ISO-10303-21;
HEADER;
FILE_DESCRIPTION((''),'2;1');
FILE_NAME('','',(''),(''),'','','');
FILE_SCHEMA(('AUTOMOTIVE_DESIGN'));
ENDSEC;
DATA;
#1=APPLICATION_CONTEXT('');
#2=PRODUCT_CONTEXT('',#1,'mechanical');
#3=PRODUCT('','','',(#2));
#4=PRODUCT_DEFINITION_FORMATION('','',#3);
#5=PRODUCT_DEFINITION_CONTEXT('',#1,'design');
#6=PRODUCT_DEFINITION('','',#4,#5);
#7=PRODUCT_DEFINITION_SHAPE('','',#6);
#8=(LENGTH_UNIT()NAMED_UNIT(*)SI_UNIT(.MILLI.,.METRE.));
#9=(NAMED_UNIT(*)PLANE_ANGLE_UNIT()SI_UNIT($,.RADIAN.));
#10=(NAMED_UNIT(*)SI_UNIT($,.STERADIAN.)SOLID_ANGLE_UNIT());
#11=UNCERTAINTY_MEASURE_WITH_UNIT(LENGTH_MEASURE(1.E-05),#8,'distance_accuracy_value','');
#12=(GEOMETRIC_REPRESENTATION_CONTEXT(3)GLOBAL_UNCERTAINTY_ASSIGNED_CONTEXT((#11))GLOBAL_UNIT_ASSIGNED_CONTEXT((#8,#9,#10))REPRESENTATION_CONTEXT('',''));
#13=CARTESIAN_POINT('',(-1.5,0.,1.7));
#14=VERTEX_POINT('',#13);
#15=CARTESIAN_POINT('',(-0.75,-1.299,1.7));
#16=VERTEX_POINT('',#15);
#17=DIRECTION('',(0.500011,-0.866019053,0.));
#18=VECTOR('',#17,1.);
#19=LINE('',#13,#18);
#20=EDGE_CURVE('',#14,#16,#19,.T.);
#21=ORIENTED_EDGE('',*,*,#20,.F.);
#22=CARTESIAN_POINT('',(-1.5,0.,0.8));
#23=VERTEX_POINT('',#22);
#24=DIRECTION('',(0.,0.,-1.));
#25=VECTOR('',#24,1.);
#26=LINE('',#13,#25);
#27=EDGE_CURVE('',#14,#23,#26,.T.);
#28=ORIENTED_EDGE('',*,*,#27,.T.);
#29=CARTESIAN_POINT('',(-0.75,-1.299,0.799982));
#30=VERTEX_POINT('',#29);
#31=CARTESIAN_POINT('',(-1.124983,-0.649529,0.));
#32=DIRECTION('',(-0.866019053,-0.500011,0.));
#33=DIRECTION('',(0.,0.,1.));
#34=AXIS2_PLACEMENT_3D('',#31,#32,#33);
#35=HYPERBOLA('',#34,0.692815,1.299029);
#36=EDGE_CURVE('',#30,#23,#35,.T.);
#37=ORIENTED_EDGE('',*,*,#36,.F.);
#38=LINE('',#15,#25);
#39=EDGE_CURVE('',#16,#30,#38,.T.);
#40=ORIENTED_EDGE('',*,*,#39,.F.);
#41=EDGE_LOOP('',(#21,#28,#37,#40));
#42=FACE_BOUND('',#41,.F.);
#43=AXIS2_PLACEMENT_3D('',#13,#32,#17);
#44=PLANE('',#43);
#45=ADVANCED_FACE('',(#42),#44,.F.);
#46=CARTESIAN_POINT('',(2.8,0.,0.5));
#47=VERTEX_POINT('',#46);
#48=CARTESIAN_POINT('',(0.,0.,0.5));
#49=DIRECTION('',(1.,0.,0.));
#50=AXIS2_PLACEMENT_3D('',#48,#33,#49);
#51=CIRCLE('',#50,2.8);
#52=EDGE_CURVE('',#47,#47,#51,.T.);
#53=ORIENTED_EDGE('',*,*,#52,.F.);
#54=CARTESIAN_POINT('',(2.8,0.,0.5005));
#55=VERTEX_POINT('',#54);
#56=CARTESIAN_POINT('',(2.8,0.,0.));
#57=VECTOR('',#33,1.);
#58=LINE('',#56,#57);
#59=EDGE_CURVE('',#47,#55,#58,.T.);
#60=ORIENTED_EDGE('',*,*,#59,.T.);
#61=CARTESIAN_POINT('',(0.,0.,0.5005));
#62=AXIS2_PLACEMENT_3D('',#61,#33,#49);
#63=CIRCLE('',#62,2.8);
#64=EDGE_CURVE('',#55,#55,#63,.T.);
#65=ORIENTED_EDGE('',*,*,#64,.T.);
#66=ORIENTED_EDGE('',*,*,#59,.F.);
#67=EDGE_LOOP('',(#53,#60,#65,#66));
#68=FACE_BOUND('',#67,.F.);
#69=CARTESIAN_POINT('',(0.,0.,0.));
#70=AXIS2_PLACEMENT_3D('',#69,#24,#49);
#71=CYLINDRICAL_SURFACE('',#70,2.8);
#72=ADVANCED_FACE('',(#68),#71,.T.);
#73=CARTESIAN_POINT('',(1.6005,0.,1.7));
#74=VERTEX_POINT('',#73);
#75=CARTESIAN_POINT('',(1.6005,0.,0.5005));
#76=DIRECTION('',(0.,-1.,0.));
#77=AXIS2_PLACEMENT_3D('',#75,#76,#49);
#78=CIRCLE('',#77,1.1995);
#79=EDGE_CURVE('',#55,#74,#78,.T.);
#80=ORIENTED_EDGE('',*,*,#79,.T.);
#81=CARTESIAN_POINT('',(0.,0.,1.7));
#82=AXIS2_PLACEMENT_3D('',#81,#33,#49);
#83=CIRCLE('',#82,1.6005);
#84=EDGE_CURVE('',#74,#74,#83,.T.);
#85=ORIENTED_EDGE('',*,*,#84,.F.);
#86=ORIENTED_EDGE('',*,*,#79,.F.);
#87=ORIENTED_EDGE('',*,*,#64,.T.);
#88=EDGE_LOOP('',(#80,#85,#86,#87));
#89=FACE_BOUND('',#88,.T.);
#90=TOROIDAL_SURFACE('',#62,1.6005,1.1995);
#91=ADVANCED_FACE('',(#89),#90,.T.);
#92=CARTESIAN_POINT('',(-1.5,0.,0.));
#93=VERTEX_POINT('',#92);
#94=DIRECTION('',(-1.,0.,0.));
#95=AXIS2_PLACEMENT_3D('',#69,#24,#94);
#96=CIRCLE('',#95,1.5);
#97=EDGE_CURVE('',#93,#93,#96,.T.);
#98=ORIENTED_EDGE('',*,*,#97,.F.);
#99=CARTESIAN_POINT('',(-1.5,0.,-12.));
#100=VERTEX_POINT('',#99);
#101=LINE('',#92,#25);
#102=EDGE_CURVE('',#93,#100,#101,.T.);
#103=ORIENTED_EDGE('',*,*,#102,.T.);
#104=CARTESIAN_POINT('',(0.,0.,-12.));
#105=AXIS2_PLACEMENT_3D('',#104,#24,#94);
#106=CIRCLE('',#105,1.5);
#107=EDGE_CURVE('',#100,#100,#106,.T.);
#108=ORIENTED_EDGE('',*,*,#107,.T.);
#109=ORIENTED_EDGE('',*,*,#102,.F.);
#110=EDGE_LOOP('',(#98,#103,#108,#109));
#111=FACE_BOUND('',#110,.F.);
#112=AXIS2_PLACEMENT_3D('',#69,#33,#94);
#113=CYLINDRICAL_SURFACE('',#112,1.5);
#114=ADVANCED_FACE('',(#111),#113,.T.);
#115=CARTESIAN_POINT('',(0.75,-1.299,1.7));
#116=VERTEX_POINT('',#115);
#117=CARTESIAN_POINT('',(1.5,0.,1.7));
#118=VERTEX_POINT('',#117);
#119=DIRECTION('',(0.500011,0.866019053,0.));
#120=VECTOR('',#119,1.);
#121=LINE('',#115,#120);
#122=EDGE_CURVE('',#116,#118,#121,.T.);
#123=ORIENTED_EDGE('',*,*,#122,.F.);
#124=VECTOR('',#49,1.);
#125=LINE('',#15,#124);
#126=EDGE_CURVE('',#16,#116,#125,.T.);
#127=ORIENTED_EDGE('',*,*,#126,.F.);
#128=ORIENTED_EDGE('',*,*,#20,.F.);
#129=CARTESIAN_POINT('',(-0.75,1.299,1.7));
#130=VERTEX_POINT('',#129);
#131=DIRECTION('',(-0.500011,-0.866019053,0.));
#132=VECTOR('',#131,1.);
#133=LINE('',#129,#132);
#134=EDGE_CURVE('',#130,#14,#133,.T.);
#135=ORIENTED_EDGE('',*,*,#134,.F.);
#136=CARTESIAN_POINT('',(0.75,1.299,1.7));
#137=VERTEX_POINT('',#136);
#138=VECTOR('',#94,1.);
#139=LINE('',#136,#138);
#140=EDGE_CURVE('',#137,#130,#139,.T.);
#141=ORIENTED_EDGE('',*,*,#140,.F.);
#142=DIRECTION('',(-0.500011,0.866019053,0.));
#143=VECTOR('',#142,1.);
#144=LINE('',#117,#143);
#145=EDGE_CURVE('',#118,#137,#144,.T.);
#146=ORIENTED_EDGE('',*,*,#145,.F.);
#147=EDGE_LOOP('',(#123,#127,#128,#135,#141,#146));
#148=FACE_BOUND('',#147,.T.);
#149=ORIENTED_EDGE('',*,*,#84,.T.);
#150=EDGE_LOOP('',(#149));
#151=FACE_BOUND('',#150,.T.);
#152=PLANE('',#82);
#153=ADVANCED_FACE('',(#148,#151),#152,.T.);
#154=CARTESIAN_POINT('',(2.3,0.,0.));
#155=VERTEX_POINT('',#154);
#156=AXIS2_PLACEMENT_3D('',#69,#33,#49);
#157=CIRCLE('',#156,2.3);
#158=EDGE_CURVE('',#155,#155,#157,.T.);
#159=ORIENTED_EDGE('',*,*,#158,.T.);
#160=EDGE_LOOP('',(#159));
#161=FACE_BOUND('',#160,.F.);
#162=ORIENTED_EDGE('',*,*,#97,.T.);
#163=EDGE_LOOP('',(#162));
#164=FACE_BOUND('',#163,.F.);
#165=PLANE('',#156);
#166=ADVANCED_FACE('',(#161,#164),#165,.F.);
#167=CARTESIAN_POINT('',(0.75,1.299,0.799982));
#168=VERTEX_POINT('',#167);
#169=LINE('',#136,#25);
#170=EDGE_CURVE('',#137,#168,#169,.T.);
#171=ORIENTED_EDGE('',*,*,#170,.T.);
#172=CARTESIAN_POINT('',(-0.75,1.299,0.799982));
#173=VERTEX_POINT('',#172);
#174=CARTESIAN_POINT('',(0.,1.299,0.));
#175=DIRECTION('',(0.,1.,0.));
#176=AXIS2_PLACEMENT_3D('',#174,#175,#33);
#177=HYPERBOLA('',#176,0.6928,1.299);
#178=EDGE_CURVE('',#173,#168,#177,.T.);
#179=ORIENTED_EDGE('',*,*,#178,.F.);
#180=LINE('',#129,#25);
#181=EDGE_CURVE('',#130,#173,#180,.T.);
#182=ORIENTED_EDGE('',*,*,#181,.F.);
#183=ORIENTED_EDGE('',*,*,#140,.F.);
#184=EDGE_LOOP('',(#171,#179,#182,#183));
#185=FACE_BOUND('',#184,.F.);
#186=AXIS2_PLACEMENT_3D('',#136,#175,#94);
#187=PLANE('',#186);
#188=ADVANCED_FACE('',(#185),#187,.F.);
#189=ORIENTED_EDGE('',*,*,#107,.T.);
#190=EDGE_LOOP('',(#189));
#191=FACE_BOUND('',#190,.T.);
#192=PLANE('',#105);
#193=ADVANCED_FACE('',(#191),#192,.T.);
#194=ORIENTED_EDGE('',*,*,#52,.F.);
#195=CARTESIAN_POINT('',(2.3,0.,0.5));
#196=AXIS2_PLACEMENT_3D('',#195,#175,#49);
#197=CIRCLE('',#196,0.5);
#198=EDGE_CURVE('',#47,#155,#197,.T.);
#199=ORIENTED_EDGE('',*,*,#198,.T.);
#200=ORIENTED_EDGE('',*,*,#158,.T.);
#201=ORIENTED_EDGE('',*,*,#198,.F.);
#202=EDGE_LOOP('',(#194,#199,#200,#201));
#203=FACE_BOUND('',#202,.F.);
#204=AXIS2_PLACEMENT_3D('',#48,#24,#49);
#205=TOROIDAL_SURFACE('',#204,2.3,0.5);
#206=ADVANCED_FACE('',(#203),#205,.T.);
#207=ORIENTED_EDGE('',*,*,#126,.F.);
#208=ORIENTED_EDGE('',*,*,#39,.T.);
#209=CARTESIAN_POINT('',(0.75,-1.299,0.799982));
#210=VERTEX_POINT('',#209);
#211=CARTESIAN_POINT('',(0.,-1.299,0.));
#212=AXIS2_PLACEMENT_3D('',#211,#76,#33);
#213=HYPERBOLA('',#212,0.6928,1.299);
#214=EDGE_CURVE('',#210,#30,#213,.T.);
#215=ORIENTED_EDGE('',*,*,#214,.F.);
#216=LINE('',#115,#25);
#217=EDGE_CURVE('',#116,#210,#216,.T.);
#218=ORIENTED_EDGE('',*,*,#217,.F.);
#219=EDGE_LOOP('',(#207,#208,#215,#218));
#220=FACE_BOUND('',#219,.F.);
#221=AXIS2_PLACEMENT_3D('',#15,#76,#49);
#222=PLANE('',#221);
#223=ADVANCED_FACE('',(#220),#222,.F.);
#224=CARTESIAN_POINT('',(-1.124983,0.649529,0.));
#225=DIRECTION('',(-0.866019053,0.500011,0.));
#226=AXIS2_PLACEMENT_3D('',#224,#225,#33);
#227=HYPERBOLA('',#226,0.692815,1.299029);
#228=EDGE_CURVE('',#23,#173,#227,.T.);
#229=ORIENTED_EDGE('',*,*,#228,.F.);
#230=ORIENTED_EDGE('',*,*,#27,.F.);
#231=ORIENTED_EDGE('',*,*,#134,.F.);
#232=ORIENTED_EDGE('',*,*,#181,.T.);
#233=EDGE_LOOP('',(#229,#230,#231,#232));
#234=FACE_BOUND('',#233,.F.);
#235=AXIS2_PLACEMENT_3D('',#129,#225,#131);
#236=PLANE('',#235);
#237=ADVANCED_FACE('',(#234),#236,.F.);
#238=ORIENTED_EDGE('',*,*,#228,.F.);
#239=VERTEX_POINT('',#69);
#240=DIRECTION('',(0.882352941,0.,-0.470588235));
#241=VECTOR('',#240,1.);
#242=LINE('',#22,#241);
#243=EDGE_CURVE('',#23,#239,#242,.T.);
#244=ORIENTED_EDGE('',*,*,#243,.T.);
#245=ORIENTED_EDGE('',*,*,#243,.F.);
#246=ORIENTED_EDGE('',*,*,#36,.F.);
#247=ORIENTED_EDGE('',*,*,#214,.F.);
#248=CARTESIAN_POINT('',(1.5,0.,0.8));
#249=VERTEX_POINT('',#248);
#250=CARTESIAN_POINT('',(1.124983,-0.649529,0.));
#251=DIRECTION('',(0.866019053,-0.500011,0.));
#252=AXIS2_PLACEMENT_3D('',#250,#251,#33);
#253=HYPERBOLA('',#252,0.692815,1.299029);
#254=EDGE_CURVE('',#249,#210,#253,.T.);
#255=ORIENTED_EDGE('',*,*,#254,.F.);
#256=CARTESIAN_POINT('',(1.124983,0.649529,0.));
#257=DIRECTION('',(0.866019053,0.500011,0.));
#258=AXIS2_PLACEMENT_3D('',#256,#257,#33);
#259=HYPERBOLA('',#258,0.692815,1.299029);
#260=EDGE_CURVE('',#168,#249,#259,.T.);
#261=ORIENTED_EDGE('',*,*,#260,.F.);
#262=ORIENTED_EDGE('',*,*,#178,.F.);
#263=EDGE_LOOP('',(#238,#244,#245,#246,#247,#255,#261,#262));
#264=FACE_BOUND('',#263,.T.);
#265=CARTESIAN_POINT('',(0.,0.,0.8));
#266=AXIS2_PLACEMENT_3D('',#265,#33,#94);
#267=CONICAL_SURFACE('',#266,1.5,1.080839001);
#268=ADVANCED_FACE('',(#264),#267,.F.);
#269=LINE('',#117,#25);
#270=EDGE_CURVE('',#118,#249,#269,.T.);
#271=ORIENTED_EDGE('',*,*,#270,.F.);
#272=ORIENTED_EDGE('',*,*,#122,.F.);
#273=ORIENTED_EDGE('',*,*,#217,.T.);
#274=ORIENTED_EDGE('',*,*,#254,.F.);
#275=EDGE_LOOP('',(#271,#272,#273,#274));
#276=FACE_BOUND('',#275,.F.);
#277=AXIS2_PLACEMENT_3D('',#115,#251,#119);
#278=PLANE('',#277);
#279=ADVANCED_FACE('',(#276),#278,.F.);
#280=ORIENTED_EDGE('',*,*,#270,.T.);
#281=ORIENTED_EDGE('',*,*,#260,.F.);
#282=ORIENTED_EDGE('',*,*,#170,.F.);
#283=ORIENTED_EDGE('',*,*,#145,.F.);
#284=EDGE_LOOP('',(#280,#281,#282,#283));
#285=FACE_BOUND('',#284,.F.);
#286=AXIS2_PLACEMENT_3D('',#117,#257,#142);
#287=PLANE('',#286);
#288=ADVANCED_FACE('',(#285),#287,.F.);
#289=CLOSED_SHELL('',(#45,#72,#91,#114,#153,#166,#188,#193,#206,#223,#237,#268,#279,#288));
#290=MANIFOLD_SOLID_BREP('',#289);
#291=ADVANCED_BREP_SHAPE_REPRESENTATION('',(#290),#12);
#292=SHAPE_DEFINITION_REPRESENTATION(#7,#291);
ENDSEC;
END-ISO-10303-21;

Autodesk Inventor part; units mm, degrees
ref_plane "YZ Plane" through (0, 0, 0) normal (1, 0, 0) x (0, 1, 0)
ref_plane "XZ Plane" through (0, 0, 0) normal (0, 1, 0) x (-1, 0, 0)
ref_plane "XY Plane" through (0, 0, 0) normal (0, 0, 1) x (1, 0, 0)
sketch "Sketch1" plane through (0, 0, 0) normal (0, 0, 1) x (1, 0, 0)
  circle A0 centre (0, 0) radius 2.8
  dimension "d0" = 5.6
extrude "Extrusion1" add sketch "Sketch1" along normal blind 1.7
fillet "Fillet3" radius 0.5 1 edges at (-2.8, 0, 0)
fillet "Fillet4" radius 1.2 1 edges at (-2.8, 0, 1.7)
sketch "Sketch2" plane through (0, 0, 1.7) normal (0, 0, 1) x (1, 0, 0)
  line L0 (-0.75, -1.299) -> (0.75, -1.299)
  line L1 (0.75, -1.299) -> (1.5, 0)
  line L2 (1.5, 0) -> (0.75, 1.299)
  line L3 (0.75, 1.299) -> (-0.75, 1.299)
  line L4 (-0.75, 1.299) -> (-1.5, 0)
  line L5 (-1.5, 0) -> (-0.75, -1.299)
  dimension "d7" = 3
extrude "Extrusion2" cut sketch "Sketch2" against normal blind 1.7
sketch "Sketch3" plane through (0, 0, 0) normal (0, 1, 0) x (-1, 0, 0)
  line L0 (0, 0) -> (1.5, 0)
  line L1 (2.3, 0) -> (-2.3, 0) projected
  line L2 (1.5, 0) -> (1.5, 0.8)
  line L3 (1.5, 0.8) -> (0, 0)
  line L4 (0, 0) -> (0, 2.432)
  dimension "d13" = 0
  dimension "d14" = 1.5
  dimension "d15" = 0.8
revolve "Revolution2" add sketch "Sketch3" angle 360 about axis through (0, 0, 0) along (0, 0, 1)
sketch "Sketch4" plane through (0, 0, 0) normal (0, 0, -1) x (-1, 0, 0)
  circle A0 centre (0, 0) radius 2.3 projected
  circle A1 centre (0, 0) radius 1.5
  dimension "d18" = 3
extrude "Extrusion3" add sketch "Sketch4" along normal blind 12 contours A1
thread "Thread1" size "M3x0.5" class "6g" standard "ANSI Metric M Profile" full length
properties part number "screw_M3_12_hex"
